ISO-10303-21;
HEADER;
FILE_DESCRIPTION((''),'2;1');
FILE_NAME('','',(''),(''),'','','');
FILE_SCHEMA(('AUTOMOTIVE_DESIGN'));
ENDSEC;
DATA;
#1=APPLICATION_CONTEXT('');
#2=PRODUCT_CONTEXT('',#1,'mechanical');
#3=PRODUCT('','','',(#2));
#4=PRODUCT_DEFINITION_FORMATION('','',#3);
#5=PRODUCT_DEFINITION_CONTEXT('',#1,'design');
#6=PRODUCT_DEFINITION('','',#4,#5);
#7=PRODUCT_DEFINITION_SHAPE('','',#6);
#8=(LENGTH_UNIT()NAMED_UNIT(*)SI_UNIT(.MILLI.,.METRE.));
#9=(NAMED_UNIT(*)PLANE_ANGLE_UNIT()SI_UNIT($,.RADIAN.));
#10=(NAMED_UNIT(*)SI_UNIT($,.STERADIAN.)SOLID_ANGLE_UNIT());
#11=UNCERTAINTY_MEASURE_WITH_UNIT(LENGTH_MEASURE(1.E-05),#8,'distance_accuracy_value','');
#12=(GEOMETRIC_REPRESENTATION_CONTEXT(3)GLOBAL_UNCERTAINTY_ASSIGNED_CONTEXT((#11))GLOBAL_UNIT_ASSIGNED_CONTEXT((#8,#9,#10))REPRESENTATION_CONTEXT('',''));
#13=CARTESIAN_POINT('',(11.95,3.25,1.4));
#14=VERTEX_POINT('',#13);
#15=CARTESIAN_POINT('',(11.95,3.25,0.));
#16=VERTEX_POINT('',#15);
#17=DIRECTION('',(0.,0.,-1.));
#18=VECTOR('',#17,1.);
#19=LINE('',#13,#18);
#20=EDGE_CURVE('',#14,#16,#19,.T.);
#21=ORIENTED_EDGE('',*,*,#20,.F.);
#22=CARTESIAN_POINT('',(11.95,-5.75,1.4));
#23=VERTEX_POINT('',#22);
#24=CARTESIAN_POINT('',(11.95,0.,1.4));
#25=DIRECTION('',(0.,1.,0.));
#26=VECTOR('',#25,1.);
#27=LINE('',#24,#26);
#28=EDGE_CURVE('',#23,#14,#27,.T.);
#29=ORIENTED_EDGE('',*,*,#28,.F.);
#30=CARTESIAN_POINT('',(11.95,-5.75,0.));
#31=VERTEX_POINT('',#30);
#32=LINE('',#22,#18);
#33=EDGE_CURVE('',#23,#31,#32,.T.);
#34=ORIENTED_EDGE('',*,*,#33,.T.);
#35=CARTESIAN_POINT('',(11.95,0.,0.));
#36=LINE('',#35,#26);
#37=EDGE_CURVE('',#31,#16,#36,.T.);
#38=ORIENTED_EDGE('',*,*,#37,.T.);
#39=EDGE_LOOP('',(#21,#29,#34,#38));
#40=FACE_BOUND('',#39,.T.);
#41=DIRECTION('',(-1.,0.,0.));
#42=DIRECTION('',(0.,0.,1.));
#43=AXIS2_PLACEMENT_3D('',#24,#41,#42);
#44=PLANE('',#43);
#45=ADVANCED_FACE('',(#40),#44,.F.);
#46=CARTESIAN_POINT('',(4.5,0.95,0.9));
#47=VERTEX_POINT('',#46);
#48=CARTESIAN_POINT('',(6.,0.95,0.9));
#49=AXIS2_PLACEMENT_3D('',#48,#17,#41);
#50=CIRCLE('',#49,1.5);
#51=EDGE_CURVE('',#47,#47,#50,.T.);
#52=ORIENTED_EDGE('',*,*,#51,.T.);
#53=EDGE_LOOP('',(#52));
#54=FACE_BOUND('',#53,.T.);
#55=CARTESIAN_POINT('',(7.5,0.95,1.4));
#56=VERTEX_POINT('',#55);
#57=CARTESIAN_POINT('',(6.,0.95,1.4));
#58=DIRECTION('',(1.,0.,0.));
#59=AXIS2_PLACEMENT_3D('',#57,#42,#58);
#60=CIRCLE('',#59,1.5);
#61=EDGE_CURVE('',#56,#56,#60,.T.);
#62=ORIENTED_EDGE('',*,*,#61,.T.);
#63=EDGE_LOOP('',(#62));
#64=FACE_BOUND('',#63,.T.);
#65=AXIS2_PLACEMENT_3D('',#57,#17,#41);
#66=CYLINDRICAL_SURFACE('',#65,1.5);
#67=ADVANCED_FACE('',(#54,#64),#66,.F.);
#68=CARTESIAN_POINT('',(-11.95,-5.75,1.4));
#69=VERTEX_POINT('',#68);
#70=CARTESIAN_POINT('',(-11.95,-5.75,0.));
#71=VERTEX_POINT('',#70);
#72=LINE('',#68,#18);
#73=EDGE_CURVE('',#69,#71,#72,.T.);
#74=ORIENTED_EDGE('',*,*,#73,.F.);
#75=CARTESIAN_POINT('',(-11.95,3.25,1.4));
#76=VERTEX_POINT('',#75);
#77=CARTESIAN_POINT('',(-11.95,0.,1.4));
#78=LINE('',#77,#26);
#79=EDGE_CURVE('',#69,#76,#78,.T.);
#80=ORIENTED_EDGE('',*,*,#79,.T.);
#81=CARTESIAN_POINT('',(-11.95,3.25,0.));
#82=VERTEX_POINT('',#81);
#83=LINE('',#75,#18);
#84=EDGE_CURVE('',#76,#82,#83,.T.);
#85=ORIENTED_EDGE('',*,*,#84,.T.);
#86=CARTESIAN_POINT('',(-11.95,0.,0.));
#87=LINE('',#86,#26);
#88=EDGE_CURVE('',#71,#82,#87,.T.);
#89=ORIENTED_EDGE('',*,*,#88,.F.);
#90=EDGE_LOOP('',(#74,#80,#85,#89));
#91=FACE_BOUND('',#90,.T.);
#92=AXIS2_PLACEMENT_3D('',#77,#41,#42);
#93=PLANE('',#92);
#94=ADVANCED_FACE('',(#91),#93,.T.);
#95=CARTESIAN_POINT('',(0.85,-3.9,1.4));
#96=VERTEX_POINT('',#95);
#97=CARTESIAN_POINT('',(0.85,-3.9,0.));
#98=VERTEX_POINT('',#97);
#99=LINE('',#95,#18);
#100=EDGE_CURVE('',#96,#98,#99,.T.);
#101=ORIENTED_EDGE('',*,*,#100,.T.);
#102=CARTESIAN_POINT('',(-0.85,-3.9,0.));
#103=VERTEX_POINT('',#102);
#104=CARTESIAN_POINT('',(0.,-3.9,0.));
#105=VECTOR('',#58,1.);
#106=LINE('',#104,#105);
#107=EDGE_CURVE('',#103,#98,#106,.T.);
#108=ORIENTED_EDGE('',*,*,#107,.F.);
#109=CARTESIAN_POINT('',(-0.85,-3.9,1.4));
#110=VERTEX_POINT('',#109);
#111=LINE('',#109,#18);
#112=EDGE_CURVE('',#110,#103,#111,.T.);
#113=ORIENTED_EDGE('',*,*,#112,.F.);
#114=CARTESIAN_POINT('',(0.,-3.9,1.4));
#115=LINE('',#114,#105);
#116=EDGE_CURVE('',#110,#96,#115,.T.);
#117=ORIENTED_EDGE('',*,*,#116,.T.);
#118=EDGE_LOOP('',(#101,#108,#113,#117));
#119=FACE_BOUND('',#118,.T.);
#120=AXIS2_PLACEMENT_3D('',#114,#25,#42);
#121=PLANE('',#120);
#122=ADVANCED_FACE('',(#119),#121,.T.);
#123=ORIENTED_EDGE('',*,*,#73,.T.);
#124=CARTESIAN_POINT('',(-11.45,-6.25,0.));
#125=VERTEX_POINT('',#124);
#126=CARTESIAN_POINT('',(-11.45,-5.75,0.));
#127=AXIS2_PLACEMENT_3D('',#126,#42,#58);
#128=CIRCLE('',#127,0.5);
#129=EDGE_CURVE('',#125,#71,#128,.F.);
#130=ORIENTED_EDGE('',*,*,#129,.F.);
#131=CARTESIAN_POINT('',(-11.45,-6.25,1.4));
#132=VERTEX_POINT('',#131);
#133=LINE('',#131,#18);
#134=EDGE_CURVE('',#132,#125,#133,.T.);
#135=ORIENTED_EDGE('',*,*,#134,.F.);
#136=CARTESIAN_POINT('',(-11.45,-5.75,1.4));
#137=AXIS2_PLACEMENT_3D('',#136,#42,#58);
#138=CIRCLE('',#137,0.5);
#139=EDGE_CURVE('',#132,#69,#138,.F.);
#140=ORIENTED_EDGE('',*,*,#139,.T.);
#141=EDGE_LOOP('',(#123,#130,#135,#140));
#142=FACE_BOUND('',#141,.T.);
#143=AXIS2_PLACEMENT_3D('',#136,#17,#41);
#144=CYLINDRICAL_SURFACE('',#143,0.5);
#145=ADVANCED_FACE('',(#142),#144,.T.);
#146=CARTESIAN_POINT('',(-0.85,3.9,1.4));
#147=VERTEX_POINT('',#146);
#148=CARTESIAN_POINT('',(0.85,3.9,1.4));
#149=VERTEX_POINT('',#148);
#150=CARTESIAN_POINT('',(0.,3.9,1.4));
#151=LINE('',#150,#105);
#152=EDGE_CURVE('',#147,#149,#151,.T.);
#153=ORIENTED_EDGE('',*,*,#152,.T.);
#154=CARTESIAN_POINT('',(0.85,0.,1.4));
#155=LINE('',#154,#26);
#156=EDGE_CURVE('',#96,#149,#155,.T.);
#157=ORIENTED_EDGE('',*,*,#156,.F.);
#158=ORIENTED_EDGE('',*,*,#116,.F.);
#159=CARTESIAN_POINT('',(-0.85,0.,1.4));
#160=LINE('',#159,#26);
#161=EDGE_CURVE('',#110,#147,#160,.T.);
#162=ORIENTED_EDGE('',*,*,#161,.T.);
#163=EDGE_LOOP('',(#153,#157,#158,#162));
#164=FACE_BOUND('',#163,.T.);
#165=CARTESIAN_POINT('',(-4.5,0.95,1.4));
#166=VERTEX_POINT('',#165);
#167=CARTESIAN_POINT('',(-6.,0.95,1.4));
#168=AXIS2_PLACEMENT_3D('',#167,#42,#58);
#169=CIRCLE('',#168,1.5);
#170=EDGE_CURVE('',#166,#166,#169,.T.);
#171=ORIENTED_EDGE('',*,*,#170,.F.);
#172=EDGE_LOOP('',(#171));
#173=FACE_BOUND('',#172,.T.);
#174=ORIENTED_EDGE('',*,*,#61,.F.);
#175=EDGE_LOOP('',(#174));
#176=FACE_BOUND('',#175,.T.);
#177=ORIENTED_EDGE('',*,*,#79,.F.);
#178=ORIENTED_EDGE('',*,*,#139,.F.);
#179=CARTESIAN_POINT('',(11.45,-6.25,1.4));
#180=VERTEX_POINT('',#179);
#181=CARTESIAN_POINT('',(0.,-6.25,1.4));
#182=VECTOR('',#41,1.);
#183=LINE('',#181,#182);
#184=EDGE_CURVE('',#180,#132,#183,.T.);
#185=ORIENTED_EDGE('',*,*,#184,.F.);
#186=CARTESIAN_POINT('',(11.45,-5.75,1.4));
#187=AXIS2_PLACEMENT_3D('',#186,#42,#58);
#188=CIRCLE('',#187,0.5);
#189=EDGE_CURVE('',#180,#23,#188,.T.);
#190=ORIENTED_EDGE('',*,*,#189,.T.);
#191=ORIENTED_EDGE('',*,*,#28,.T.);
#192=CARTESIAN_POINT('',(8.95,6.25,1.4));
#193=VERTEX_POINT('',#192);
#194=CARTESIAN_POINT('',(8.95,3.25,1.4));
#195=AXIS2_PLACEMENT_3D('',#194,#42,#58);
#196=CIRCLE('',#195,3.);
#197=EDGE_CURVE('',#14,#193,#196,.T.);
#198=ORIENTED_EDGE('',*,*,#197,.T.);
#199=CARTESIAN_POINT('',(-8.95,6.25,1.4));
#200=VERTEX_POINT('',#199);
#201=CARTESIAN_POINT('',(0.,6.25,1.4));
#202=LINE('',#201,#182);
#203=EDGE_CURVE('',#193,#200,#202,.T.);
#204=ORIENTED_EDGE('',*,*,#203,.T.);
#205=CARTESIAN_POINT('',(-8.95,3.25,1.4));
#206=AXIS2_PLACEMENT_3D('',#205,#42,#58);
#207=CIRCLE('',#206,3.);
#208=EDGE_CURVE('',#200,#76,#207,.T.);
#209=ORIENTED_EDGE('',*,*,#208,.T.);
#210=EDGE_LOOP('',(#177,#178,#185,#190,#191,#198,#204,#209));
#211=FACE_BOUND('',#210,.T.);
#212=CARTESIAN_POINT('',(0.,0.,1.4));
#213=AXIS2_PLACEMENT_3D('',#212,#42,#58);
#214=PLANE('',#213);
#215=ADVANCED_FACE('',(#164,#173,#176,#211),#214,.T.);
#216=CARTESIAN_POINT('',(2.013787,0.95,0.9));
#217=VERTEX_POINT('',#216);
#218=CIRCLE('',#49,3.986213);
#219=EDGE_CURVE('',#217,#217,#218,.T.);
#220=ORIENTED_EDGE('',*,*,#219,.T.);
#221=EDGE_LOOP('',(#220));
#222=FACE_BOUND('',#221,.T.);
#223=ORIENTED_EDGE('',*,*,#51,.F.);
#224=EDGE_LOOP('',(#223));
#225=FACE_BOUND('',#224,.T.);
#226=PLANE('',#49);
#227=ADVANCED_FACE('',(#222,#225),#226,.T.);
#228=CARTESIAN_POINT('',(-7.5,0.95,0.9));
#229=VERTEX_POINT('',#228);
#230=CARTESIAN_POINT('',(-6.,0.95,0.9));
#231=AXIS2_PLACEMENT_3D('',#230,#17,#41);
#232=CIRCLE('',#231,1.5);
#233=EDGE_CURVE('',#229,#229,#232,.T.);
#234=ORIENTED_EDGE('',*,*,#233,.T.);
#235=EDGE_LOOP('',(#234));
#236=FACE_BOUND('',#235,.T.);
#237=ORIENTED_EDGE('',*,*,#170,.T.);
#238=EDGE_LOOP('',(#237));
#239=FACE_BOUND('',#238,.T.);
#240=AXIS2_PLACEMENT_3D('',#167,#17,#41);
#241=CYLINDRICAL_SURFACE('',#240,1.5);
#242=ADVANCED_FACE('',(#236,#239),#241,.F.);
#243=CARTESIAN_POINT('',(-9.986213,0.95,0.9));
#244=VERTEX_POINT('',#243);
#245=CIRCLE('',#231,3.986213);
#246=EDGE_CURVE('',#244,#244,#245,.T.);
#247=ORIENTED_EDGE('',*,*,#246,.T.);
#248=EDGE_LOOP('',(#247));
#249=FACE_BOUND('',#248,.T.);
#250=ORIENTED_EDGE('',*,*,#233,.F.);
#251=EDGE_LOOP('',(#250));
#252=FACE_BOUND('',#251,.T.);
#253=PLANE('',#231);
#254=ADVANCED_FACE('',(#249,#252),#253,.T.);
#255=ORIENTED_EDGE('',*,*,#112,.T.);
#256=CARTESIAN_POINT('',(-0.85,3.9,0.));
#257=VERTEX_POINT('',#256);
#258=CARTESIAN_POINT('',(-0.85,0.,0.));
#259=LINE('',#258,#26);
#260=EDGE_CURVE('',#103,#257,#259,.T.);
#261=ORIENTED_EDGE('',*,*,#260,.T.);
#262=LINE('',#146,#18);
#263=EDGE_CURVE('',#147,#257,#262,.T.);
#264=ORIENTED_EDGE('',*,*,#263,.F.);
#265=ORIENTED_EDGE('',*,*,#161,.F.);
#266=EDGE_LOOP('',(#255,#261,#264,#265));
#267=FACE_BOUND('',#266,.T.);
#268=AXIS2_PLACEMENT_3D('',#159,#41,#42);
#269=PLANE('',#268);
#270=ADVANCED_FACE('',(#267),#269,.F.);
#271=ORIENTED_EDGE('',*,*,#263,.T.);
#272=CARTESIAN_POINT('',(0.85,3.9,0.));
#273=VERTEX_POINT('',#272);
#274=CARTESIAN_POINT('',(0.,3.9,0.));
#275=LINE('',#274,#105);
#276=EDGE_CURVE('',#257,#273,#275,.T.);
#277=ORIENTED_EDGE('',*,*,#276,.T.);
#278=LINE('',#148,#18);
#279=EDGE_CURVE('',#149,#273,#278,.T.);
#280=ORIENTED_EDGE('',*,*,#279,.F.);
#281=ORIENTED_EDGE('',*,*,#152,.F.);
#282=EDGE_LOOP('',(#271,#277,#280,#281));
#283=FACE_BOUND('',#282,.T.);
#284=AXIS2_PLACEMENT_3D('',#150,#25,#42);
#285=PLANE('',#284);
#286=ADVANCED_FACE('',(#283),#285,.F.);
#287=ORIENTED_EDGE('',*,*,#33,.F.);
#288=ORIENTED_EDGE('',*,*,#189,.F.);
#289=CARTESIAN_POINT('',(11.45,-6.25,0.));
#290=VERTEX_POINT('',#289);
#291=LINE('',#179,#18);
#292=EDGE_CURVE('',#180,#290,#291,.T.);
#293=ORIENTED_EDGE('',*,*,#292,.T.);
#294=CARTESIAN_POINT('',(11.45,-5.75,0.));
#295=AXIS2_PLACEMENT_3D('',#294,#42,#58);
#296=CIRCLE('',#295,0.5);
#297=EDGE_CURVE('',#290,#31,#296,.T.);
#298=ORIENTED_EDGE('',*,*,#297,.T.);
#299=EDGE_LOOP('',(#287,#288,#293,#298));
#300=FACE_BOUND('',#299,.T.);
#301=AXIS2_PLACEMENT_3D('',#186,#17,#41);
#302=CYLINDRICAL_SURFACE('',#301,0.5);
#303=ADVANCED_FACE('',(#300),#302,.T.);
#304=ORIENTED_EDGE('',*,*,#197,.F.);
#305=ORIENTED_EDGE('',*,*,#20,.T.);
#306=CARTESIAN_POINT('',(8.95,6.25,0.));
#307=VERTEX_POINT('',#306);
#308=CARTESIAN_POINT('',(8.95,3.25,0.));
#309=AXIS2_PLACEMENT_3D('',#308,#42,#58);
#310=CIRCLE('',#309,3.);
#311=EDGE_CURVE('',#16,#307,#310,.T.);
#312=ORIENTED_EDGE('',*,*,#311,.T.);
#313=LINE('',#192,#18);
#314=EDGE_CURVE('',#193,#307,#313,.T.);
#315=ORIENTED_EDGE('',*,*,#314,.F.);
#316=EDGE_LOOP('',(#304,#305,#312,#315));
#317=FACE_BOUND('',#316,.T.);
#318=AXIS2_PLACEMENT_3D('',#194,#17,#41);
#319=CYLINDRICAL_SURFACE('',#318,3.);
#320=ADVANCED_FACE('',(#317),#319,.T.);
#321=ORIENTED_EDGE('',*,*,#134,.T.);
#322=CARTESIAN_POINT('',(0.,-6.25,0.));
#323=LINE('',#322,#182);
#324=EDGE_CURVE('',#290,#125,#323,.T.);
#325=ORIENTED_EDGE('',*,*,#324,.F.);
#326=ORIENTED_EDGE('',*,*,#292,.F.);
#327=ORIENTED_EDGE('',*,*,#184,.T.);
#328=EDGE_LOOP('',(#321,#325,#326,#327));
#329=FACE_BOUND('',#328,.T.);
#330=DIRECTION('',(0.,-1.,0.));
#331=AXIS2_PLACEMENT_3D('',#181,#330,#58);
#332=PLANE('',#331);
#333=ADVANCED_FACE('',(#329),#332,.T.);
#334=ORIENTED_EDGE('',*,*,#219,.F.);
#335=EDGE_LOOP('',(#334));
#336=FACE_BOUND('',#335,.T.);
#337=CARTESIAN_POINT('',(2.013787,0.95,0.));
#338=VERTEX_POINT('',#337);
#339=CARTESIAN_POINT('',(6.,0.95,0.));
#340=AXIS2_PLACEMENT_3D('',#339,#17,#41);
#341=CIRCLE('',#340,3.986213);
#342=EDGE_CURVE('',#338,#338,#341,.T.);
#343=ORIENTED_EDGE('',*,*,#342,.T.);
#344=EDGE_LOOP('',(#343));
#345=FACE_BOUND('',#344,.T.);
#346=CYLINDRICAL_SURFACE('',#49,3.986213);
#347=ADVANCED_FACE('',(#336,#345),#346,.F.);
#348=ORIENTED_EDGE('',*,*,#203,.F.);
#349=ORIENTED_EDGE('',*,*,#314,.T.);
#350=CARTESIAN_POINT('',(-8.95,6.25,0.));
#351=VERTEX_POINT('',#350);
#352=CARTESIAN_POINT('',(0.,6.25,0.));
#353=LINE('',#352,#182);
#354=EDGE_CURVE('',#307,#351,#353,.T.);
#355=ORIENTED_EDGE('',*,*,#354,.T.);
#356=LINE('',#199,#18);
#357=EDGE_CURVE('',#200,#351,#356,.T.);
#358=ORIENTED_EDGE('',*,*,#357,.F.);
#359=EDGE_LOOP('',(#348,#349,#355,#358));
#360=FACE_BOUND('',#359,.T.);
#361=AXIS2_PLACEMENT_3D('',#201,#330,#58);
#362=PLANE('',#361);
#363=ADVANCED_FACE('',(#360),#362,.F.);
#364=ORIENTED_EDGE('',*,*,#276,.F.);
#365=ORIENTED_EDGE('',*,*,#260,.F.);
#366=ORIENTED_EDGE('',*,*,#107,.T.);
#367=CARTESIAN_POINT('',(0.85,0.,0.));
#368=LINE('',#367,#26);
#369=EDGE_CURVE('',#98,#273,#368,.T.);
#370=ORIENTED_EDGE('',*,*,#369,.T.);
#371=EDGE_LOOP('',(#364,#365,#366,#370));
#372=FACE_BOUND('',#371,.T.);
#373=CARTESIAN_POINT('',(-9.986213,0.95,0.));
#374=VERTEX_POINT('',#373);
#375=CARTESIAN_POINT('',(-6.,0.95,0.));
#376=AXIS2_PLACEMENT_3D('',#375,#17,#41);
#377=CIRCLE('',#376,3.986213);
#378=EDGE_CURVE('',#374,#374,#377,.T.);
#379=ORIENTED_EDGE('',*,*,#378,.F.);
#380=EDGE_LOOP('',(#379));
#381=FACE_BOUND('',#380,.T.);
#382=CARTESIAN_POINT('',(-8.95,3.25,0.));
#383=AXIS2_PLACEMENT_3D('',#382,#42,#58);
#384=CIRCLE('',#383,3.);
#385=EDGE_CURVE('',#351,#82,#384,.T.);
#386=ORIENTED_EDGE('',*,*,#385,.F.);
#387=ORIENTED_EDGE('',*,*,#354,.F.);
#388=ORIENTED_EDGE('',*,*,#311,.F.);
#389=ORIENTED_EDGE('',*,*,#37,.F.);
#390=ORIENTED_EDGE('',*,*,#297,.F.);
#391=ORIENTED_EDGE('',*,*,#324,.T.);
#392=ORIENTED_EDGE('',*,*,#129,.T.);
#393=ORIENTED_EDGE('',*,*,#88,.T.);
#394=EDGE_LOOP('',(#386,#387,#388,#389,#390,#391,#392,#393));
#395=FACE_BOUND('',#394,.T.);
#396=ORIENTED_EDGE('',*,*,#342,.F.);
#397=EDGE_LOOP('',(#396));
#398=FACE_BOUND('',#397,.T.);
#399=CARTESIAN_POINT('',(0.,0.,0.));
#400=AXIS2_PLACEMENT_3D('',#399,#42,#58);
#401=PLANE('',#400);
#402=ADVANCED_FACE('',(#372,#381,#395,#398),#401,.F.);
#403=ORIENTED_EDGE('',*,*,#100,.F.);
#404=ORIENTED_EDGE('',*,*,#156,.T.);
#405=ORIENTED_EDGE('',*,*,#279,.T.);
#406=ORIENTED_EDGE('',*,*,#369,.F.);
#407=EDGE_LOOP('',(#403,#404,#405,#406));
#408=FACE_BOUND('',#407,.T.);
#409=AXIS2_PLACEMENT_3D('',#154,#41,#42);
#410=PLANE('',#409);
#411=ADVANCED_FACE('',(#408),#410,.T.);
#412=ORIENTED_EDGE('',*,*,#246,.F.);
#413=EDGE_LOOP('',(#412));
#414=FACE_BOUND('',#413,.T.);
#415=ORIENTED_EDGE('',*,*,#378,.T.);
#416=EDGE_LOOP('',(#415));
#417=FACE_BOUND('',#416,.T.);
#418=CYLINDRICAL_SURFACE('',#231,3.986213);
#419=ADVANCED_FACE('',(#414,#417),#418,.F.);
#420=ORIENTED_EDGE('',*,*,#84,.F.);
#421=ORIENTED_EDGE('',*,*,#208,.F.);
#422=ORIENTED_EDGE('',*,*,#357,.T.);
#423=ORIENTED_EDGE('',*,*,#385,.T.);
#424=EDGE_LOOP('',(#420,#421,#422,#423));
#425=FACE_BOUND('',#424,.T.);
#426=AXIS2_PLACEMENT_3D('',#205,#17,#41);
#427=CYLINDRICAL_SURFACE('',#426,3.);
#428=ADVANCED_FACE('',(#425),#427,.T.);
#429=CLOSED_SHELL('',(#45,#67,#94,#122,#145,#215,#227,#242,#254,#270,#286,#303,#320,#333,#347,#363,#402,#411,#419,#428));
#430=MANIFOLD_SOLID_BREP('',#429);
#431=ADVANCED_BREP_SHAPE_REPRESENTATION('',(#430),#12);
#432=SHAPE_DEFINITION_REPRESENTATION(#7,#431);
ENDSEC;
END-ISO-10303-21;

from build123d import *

# Parameters (mm, degrees)
SKICA1_W                 = 1.7
SKICA1_H                 = 7.8
SKICA1_R                 = 1.5
P_IDAT_VYSUNUT_M3_DEPTH  = 1.4
SKICA3_R                 = 3.986213299
ODEBRAT_VYSUNUT_M1_DEPTH = 0.9


with BuildPart() as part:
    # Skica1 → Přidat vysunutím3 (new body)
    with BuildSketch(Plane.XY):
        with BuildLine():
            Line((-11.45, -6.25), (11.45, -6.25))
            ThreePointArc((11.45, -6.25), (11.803553391, -6.103553391), (11.95, -5.75))
            Line((11.95, -5.75), (11.95, 3.25))
            ThreePointArc((11.95, 3.25), (11.071320344, 5.371320344), (8.95, 6.25))
            Line((8.95, 6.25), (-8.95, 6.25))
            ThreePointArc((-8.95, 6.25), (-11.071320344, 5.371320344), (-11.95, 3.25))
            Line((-11.95, 3.25), (-11.95, -5.75))
            ThreePointArc((-11.95, -5.75), (-11.803553391, -6.103553391), (-11.45, -6.25))
        make_face()
        Rectangle(SKICA1_W, SKICA1_H, mode=Mode.SUBTRACT)
        with Locations((-6, 0.95)):
            Circle(SKICA1_R, mode=Mode.SUBTRACT)
        with Locations((6, 0.95)):
            Circle(SKICA1_R, mode=Mode.SUBTRACT)
    extrude(amount=P_IDAT_VYSUNUT_M3_DEPTH)

    # Skica3 → Odebrat vysunutím1 (cut)
    with BuildSketch(Plane(origin=(0, 0, 0), x_dir=(-1, 0, 0), z_dir=(0, 0, -1))):
        with Locations((-6, 0.95)):
            Circle(SKICA3_R)
        with Locations((6, 0.95)):
            Circle(SKICA3_R)
    extrude(amount=-ODEBRAT_VYSUNUT_M1_DEPTH, mode=Mode.SUBTRACT)


solid = part.part
